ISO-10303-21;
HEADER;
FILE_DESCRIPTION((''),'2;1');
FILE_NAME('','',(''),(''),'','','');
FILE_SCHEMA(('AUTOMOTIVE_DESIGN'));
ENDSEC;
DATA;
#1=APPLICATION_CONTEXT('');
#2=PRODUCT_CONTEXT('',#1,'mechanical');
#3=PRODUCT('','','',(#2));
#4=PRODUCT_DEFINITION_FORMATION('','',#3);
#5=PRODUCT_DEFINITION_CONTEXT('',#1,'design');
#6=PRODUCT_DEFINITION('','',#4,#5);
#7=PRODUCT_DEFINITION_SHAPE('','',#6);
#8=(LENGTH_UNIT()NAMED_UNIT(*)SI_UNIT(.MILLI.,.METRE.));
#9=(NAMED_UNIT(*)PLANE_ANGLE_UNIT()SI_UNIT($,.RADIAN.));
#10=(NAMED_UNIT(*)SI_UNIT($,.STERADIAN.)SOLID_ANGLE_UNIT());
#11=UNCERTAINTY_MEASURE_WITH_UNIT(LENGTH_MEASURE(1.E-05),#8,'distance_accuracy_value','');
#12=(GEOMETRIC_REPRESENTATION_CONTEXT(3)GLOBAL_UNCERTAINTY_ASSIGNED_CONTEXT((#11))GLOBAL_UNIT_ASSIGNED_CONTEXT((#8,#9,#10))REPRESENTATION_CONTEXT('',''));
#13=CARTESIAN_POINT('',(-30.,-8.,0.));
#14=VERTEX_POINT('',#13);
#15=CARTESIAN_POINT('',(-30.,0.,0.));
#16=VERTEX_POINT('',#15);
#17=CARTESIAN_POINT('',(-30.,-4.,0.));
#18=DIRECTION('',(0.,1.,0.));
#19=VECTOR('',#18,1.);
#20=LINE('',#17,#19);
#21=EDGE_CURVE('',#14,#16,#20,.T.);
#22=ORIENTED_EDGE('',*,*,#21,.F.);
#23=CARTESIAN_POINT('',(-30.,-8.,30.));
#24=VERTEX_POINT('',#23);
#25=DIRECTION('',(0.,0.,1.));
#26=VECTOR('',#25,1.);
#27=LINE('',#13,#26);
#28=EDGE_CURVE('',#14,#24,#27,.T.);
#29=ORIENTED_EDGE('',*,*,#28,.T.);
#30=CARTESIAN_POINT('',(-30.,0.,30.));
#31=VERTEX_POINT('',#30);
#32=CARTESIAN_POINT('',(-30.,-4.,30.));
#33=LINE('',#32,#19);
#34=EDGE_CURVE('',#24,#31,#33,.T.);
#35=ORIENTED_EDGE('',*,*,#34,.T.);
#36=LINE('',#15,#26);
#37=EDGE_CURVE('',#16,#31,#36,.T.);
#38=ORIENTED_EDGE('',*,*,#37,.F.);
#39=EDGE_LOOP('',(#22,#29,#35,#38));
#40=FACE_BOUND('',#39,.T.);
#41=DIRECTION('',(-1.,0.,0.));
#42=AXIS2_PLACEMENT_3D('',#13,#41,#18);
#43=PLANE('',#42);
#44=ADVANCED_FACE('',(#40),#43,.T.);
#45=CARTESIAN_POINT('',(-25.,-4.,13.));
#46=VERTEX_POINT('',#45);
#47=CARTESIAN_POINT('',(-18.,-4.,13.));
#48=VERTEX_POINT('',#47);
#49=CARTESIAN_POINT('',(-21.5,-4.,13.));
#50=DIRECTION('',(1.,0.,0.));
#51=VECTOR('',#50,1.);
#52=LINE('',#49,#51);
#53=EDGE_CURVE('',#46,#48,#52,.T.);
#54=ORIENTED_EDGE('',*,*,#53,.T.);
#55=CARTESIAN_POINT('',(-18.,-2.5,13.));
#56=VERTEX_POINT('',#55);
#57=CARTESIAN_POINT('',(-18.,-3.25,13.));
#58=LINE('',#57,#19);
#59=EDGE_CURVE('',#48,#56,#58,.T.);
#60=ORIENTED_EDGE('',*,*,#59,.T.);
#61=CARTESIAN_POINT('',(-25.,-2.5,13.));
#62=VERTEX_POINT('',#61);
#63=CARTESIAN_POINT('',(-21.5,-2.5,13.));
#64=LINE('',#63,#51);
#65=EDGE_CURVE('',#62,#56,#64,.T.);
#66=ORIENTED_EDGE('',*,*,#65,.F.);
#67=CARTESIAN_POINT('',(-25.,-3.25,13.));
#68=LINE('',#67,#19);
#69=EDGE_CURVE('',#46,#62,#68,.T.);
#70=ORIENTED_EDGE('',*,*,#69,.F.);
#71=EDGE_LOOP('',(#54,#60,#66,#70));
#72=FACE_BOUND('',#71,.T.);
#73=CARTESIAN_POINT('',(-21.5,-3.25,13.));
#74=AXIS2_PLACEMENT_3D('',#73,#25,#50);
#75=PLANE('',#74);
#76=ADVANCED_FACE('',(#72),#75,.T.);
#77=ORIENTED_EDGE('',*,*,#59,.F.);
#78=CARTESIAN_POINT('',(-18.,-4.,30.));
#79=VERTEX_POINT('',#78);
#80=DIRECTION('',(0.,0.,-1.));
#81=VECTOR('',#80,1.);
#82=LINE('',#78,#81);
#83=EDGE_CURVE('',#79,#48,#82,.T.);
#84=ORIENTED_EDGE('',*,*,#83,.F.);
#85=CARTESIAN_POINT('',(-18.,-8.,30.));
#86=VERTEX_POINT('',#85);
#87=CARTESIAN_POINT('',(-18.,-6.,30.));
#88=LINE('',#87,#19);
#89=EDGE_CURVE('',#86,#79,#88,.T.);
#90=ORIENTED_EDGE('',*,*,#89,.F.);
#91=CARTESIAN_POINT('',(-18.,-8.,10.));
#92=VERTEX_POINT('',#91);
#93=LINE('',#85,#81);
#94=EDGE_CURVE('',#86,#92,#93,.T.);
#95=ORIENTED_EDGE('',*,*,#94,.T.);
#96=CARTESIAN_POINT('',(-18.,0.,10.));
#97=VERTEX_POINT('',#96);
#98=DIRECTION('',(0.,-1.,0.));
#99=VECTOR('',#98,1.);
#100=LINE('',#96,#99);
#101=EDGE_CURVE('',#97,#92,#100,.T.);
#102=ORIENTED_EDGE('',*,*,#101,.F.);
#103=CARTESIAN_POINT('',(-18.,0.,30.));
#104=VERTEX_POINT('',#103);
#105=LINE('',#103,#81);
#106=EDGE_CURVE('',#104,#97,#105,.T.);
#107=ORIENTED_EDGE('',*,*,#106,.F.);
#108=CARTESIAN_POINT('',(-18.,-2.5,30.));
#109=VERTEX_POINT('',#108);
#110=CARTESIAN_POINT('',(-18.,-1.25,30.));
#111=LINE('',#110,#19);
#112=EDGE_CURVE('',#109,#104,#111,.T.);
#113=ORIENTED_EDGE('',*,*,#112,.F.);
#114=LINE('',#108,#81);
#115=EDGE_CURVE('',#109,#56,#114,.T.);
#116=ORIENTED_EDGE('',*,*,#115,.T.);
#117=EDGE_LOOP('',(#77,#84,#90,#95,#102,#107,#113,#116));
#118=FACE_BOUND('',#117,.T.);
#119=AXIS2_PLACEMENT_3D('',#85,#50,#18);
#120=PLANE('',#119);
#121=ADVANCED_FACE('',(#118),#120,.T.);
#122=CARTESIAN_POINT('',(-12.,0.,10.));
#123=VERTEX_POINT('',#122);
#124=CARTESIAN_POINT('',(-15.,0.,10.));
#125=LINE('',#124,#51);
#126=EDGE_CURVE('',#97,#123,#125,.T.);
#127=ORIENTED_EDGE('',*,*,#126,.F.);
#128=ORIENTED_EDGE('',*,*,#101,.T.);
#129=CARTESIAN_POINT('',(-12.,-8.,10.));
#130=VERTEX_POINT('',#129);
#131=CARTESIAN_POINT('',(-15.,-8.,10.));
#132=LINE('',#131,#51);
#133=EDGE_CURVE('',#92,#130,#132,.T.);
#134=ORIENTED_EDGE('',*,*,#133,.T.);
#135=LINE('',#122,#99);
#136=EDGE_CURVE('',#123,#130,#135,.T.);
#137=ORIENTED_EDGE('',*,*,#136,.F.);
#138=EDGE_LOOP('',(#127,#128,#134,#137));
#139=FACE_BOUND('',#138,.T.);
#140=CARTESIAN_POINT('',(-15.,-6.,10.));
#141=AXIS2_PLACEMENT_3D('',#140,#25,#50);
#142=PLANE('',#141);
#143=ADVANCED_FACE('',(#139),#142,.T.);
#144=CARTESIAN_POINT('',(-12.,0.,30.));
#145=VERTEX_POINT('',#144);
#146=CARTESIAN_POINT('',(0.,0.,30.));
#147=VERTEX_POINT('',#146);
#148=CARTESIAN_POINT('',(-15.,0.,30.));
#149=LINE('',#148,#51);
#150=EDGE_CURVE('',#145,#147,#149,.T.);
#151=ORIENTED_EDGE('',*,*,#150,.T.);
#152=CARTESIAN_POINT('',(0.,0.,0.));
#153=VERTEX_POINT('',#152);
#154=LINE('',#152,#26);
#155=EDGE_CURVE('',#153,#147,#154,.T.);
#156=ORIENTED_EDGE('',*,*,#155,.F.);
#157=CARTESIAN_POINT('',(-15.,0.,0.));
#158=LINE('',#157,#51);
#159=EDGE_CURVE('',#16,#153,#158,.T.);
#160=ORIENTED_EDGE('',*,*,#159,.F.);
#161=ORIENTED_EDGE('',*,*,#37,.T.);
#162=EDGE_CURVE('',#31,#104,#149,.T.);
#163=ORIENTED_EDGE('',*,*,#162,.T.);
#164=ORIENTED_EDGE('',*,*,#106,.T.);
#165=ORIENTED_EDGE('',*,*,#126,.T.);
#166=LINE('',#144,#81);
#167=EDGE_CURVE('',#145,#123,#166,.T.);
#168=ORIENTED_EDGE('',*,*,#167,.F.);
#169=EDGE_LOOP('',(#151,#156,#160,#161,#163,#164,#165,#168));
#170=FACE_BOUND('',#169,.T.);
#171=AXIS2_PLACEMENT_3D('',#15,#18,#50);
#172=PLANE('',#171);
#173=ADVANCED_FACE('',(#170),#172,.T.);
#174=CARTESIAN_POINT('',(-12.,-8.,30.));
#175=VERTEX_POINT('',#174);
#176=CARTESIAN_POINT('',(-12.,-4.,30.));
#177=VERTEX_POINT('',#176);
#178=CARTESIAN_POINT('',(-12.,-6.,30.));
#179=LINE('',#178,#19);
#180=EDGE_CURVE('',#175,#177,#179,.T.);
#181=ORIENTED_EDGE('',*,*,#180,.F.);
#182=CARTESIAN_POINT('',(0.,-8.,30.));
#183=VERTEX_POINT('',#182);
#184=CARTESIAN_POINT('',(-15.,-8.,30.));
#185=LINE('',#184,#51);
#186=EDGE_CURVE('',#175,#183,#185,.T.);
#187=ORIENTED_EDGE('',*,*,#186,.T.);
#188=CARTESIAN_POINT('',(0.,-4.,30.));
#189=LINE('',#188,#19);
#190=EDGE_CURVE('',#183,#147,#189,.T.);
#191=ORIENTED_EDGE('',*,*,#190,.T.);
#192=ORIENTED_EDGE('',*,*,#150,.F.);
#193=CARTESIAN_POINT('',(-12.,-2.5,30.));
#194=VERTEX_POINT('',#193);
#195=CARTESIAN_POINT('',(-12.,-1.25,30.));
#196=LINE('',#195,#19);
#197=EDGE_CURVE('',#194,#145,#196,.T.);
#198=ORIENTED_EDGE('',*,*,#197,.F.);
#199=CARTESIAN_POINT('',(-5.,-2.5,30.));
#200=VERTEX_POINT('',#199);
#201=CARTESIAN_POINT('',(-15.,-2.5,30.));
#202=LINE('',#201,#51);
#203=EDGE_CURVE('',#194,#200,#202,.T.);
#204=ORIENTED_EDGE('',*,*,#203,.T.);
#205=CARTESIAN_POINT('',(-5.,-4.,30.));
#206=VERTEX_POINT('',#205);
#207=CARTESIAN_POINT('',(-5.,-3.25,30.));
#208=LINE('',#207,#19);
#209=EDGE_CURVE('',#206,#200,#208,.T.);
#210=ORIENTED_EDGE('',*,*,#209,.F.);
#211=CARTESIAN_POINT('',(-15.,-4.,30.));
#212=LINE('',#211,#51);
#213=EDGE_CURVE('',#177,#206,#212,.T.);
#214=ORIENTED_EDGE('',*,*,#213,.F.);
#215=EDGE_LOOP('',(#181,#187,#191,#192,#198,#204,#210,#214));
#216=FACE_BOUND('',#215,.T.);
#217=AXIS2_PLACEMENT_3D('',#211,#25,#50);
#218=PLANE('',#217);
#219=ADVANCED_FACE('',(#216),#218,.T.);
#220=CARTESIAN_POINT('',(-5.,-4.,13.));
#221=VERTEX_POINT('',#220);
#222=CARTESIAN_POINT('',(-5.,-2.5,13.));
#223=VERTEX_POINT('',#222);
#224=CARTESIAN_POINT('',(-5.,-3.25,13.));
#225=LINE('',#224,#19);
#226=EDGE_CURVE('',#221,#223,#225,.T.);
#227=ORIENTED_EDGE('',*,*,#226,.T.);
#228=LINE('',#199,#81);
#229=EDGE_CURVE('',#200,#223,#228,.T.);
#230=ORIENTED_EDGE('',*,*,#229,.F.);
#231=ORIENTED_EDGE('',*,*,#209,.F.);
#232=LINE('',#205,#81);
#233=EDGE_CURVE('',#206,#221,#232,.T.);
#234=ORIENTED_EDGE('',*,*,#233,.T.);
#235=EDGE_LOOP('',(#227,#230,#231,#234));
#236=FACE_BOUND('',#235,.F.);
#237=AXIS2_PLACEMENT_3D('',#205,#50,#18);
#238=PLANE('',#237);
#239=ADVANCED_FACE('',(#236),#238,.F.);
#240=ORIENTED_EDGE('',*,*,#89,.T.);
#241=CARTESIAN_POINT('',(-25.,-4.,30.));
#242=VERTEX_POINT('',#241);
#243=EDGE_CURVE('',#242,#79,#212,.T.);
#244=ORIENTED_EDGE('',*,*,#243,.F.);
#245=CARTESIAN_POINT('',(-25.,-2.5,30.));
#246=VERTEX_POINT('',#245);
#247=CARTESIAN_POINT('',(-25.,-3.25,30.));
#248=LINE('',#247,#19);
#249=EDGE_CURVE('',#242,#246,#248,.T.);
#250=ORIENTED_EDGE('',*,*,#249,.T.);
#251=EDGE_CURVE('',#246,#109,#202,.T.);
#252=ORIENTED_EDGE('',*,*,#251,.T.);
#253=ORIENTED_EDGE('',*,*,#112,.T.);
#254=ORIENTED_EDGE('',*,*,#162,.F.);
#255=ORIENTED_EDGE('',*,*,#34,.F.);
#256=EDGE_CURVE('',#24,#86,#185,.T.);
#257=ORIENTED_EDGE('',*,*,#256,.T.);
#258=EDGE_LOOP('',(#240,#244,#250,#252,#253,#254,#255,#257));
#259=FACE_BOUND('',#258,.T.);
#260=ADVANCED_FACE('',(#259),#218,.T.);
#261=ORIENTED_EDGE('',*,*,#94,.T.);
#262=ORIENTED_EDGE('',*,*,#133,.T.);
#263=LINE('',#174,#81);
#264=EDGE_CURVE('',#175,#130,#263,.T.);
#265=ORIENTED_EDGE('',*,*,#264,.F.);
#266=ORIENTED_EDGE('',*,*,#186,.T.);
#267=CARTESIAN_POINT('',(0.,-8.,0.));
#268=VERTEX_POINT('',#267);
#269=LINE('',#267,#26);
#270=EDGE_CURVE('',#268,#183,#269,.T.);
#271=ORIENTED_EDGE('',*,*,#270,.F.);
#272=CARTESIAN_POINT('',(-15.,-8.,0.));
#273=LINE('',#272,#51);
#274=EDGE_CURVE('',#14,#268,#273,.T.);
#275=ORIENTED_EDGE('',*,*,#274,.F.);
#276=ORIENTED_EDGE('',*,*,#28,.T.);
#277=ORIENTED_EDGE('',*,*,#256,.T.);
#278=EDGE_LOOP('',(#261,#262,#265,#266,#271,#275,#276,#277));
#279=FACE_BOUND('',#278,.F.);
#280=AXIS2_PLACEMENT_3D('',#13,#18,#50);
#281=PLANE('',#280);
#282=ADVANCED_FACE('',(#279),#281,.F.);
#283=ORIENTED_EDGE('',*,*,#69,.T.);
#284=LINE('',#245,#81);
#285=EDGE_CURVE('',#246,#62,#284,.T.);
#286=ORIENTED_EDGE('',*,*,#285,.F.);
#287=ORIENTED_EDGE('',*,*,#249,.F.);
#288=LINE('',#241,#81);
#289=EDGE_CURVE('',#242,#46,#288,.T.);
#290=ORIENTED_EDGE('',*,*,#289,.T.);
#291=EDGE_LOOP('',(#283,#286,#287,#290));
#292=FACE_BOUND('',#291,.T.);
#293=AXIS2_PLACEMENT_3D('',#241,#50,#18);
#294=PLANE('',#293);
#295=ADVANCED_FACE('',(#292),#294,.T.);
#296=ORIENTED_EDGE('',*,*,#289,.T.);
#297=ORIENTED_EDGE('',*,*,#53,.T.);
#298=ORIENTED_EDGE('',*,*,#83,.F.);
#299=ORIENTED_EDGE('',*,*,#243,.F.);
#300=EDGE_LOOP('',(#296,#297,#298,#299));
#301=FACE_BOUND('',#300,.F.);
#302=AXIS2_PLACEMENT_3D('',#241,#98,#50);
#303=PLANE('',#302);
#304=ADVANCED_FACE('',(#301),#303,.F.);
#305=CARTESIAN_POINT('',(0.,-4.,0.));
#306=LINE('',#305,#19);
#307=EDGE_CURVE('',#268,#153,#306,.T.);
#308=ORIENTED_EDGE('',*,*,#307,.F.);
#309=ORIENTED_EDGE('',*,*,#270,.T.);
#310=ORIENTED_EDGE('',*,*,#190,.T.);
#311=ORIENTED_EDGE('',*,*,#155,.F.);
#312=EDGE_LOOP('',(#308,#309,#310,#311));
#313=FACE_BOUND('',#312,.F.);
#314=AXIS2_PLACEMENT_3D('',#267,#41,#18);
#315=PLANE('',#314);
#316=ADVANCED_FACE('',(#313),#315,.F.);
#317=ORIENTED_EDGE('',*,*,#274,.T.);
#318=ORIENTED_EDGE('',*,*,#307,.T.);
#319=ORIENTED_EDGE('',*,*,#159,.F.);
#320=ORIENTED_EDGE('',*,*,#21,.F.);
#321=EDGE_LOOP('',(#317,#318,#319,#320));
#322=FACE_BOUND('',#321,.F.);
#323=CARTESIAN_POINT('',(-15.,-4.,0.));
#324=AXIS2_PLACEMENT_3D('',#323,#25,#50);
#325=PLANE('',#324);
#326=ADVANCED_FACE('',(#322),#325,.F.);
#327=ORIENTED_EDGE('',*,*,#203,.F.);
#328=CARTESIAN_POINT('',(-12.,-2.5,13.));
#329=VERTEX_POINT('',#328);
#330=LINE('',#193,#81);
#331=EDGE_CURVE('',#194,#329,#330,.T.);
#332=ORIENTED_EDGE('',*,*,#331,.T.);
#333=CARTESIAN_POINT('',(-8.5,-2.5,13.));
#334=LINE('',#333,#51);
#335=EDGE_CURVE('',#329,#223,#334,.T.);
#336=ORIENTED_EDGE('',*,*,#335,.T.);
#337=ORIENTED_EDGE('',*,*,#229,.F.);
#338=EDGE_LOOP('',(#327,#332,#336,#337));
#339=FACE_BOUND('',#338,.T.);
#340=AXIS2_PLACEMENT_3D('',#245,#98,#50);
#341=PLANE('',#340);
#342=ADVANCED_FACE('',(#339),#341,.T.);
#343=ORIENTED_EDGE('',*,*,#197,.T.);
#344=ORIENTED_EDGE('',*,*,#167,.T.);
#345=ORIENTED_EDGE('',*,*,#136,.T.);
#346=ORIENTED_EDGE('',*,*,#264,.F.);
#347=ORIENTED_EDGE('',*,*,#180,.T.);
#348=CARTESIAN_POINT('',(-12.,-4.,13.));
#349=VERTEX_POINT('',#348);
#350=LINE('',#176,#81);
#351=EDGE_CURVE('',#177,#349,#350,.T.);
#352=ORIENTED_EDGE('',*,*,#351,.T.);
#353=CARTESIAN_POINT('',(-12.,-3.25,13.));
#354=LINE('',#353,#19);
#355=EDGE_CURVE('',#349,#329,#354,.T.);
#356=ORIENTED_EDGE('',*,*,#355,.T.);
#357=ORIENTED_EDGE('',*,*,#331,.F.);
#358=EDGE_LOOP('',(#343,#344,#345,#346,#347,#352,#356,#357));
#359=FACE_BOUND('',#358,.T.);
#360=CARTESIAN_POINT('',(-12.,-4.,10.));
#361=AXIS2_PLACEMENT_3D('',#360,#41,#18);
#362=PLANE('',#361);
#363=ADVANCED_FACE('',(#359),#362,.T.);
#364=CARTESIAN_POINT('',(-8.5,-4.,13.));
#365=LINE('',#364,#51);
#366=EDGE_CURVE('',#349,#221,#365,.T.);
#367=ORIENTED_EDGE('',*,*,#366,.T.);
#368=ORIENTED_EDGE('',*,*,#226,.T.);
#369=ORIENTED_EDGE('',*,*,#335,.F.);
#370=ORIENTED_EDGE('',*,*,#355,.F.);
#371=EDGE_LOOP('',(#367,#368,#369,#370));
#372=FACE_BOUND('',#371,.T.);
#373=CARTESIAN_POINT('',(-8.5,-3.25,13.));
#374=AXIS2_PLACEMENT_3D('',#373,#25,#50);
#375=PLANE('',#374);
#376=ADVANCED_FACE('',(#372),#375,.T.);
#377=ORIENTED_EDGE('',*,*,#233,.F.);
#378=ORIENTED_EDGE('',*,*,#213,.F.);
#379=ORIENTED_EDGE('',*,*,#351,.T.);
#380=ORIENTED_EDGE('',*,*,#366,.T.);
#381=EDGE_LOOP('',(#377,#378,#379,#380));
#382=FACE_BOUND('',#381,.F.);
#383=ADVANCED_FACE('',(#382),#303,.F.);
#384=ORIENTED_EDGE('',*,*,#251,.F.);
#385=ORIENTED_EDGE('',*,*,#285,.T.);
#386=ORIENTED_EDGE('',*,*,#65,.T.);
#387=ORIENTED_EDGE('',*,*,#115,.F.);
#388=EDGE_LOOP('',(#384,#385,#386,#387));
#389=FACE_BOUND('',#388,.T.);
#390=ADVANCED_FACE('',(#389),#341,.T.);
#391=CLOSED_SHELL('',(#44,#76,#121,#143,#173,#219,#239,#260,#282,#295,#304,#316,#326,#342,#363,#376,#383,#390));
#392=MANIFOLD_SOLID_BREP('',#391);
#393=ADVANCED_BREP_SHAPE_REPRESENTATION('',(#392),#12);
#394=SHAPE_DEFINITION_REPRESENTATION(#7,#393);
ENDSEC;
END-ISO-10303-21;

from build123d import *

# Parameters (mm, degrees)
F0_W     = 30
F0_H     = 8
F1_DEPTH = 30
F3_W     = 6
F3_H     = 2.5
F3_H_2   = 4
F4_DEPTH = 20
F2_W     = 20
F2_H     = 1.5
F5_DEPTH = 20
F6_W     = 7
F6_H     = 1.5
F7_DEPTH = 3


with BuildPart() as f1:
    # F0 (on Top) → F1 (new body)
    with BuildSketch(Plane.XY):
        with Locations((-15, -4)):
            Rectangle(F0_W, F0_H)
    extrude(amount=F1_DEPTH)

    # F3 (on face) → F4 (cut)
    with BuildSketch(Plane.XY.offset(30)):
        with Locations((-15, -1.25)):
            Rectangle(F3_W, F3_H)
        with Locations((-15, -6)):
            Rectangle(F3_W, F3_H_2)
    extrude(amount=-F4_DEPTH, mode=Mode.SUBTRACT)

    # F2 (on face) → F5 (cut)
    with BuildSketch(Plane.XY.offset(30)):
        with Locations((-15, -3.25)):
            Rectangle(F2_W, F2_H)
    extrude(amount=-F5_DEPTH, mode=Mode.SUBTRACT)

    # F6 (on face) → F7 (join)
    with BuildSketch(Plane.XY.offset(10)):
        with Locations((-8.5, -3.25)):
            Rectangle(F6_W, F6_H)
        with Locations((-21.5, -3.25)):
            Rectangle(F6_W, F6_H)
    extrude(amount=F7_DEPTH)


solid = f1.part
